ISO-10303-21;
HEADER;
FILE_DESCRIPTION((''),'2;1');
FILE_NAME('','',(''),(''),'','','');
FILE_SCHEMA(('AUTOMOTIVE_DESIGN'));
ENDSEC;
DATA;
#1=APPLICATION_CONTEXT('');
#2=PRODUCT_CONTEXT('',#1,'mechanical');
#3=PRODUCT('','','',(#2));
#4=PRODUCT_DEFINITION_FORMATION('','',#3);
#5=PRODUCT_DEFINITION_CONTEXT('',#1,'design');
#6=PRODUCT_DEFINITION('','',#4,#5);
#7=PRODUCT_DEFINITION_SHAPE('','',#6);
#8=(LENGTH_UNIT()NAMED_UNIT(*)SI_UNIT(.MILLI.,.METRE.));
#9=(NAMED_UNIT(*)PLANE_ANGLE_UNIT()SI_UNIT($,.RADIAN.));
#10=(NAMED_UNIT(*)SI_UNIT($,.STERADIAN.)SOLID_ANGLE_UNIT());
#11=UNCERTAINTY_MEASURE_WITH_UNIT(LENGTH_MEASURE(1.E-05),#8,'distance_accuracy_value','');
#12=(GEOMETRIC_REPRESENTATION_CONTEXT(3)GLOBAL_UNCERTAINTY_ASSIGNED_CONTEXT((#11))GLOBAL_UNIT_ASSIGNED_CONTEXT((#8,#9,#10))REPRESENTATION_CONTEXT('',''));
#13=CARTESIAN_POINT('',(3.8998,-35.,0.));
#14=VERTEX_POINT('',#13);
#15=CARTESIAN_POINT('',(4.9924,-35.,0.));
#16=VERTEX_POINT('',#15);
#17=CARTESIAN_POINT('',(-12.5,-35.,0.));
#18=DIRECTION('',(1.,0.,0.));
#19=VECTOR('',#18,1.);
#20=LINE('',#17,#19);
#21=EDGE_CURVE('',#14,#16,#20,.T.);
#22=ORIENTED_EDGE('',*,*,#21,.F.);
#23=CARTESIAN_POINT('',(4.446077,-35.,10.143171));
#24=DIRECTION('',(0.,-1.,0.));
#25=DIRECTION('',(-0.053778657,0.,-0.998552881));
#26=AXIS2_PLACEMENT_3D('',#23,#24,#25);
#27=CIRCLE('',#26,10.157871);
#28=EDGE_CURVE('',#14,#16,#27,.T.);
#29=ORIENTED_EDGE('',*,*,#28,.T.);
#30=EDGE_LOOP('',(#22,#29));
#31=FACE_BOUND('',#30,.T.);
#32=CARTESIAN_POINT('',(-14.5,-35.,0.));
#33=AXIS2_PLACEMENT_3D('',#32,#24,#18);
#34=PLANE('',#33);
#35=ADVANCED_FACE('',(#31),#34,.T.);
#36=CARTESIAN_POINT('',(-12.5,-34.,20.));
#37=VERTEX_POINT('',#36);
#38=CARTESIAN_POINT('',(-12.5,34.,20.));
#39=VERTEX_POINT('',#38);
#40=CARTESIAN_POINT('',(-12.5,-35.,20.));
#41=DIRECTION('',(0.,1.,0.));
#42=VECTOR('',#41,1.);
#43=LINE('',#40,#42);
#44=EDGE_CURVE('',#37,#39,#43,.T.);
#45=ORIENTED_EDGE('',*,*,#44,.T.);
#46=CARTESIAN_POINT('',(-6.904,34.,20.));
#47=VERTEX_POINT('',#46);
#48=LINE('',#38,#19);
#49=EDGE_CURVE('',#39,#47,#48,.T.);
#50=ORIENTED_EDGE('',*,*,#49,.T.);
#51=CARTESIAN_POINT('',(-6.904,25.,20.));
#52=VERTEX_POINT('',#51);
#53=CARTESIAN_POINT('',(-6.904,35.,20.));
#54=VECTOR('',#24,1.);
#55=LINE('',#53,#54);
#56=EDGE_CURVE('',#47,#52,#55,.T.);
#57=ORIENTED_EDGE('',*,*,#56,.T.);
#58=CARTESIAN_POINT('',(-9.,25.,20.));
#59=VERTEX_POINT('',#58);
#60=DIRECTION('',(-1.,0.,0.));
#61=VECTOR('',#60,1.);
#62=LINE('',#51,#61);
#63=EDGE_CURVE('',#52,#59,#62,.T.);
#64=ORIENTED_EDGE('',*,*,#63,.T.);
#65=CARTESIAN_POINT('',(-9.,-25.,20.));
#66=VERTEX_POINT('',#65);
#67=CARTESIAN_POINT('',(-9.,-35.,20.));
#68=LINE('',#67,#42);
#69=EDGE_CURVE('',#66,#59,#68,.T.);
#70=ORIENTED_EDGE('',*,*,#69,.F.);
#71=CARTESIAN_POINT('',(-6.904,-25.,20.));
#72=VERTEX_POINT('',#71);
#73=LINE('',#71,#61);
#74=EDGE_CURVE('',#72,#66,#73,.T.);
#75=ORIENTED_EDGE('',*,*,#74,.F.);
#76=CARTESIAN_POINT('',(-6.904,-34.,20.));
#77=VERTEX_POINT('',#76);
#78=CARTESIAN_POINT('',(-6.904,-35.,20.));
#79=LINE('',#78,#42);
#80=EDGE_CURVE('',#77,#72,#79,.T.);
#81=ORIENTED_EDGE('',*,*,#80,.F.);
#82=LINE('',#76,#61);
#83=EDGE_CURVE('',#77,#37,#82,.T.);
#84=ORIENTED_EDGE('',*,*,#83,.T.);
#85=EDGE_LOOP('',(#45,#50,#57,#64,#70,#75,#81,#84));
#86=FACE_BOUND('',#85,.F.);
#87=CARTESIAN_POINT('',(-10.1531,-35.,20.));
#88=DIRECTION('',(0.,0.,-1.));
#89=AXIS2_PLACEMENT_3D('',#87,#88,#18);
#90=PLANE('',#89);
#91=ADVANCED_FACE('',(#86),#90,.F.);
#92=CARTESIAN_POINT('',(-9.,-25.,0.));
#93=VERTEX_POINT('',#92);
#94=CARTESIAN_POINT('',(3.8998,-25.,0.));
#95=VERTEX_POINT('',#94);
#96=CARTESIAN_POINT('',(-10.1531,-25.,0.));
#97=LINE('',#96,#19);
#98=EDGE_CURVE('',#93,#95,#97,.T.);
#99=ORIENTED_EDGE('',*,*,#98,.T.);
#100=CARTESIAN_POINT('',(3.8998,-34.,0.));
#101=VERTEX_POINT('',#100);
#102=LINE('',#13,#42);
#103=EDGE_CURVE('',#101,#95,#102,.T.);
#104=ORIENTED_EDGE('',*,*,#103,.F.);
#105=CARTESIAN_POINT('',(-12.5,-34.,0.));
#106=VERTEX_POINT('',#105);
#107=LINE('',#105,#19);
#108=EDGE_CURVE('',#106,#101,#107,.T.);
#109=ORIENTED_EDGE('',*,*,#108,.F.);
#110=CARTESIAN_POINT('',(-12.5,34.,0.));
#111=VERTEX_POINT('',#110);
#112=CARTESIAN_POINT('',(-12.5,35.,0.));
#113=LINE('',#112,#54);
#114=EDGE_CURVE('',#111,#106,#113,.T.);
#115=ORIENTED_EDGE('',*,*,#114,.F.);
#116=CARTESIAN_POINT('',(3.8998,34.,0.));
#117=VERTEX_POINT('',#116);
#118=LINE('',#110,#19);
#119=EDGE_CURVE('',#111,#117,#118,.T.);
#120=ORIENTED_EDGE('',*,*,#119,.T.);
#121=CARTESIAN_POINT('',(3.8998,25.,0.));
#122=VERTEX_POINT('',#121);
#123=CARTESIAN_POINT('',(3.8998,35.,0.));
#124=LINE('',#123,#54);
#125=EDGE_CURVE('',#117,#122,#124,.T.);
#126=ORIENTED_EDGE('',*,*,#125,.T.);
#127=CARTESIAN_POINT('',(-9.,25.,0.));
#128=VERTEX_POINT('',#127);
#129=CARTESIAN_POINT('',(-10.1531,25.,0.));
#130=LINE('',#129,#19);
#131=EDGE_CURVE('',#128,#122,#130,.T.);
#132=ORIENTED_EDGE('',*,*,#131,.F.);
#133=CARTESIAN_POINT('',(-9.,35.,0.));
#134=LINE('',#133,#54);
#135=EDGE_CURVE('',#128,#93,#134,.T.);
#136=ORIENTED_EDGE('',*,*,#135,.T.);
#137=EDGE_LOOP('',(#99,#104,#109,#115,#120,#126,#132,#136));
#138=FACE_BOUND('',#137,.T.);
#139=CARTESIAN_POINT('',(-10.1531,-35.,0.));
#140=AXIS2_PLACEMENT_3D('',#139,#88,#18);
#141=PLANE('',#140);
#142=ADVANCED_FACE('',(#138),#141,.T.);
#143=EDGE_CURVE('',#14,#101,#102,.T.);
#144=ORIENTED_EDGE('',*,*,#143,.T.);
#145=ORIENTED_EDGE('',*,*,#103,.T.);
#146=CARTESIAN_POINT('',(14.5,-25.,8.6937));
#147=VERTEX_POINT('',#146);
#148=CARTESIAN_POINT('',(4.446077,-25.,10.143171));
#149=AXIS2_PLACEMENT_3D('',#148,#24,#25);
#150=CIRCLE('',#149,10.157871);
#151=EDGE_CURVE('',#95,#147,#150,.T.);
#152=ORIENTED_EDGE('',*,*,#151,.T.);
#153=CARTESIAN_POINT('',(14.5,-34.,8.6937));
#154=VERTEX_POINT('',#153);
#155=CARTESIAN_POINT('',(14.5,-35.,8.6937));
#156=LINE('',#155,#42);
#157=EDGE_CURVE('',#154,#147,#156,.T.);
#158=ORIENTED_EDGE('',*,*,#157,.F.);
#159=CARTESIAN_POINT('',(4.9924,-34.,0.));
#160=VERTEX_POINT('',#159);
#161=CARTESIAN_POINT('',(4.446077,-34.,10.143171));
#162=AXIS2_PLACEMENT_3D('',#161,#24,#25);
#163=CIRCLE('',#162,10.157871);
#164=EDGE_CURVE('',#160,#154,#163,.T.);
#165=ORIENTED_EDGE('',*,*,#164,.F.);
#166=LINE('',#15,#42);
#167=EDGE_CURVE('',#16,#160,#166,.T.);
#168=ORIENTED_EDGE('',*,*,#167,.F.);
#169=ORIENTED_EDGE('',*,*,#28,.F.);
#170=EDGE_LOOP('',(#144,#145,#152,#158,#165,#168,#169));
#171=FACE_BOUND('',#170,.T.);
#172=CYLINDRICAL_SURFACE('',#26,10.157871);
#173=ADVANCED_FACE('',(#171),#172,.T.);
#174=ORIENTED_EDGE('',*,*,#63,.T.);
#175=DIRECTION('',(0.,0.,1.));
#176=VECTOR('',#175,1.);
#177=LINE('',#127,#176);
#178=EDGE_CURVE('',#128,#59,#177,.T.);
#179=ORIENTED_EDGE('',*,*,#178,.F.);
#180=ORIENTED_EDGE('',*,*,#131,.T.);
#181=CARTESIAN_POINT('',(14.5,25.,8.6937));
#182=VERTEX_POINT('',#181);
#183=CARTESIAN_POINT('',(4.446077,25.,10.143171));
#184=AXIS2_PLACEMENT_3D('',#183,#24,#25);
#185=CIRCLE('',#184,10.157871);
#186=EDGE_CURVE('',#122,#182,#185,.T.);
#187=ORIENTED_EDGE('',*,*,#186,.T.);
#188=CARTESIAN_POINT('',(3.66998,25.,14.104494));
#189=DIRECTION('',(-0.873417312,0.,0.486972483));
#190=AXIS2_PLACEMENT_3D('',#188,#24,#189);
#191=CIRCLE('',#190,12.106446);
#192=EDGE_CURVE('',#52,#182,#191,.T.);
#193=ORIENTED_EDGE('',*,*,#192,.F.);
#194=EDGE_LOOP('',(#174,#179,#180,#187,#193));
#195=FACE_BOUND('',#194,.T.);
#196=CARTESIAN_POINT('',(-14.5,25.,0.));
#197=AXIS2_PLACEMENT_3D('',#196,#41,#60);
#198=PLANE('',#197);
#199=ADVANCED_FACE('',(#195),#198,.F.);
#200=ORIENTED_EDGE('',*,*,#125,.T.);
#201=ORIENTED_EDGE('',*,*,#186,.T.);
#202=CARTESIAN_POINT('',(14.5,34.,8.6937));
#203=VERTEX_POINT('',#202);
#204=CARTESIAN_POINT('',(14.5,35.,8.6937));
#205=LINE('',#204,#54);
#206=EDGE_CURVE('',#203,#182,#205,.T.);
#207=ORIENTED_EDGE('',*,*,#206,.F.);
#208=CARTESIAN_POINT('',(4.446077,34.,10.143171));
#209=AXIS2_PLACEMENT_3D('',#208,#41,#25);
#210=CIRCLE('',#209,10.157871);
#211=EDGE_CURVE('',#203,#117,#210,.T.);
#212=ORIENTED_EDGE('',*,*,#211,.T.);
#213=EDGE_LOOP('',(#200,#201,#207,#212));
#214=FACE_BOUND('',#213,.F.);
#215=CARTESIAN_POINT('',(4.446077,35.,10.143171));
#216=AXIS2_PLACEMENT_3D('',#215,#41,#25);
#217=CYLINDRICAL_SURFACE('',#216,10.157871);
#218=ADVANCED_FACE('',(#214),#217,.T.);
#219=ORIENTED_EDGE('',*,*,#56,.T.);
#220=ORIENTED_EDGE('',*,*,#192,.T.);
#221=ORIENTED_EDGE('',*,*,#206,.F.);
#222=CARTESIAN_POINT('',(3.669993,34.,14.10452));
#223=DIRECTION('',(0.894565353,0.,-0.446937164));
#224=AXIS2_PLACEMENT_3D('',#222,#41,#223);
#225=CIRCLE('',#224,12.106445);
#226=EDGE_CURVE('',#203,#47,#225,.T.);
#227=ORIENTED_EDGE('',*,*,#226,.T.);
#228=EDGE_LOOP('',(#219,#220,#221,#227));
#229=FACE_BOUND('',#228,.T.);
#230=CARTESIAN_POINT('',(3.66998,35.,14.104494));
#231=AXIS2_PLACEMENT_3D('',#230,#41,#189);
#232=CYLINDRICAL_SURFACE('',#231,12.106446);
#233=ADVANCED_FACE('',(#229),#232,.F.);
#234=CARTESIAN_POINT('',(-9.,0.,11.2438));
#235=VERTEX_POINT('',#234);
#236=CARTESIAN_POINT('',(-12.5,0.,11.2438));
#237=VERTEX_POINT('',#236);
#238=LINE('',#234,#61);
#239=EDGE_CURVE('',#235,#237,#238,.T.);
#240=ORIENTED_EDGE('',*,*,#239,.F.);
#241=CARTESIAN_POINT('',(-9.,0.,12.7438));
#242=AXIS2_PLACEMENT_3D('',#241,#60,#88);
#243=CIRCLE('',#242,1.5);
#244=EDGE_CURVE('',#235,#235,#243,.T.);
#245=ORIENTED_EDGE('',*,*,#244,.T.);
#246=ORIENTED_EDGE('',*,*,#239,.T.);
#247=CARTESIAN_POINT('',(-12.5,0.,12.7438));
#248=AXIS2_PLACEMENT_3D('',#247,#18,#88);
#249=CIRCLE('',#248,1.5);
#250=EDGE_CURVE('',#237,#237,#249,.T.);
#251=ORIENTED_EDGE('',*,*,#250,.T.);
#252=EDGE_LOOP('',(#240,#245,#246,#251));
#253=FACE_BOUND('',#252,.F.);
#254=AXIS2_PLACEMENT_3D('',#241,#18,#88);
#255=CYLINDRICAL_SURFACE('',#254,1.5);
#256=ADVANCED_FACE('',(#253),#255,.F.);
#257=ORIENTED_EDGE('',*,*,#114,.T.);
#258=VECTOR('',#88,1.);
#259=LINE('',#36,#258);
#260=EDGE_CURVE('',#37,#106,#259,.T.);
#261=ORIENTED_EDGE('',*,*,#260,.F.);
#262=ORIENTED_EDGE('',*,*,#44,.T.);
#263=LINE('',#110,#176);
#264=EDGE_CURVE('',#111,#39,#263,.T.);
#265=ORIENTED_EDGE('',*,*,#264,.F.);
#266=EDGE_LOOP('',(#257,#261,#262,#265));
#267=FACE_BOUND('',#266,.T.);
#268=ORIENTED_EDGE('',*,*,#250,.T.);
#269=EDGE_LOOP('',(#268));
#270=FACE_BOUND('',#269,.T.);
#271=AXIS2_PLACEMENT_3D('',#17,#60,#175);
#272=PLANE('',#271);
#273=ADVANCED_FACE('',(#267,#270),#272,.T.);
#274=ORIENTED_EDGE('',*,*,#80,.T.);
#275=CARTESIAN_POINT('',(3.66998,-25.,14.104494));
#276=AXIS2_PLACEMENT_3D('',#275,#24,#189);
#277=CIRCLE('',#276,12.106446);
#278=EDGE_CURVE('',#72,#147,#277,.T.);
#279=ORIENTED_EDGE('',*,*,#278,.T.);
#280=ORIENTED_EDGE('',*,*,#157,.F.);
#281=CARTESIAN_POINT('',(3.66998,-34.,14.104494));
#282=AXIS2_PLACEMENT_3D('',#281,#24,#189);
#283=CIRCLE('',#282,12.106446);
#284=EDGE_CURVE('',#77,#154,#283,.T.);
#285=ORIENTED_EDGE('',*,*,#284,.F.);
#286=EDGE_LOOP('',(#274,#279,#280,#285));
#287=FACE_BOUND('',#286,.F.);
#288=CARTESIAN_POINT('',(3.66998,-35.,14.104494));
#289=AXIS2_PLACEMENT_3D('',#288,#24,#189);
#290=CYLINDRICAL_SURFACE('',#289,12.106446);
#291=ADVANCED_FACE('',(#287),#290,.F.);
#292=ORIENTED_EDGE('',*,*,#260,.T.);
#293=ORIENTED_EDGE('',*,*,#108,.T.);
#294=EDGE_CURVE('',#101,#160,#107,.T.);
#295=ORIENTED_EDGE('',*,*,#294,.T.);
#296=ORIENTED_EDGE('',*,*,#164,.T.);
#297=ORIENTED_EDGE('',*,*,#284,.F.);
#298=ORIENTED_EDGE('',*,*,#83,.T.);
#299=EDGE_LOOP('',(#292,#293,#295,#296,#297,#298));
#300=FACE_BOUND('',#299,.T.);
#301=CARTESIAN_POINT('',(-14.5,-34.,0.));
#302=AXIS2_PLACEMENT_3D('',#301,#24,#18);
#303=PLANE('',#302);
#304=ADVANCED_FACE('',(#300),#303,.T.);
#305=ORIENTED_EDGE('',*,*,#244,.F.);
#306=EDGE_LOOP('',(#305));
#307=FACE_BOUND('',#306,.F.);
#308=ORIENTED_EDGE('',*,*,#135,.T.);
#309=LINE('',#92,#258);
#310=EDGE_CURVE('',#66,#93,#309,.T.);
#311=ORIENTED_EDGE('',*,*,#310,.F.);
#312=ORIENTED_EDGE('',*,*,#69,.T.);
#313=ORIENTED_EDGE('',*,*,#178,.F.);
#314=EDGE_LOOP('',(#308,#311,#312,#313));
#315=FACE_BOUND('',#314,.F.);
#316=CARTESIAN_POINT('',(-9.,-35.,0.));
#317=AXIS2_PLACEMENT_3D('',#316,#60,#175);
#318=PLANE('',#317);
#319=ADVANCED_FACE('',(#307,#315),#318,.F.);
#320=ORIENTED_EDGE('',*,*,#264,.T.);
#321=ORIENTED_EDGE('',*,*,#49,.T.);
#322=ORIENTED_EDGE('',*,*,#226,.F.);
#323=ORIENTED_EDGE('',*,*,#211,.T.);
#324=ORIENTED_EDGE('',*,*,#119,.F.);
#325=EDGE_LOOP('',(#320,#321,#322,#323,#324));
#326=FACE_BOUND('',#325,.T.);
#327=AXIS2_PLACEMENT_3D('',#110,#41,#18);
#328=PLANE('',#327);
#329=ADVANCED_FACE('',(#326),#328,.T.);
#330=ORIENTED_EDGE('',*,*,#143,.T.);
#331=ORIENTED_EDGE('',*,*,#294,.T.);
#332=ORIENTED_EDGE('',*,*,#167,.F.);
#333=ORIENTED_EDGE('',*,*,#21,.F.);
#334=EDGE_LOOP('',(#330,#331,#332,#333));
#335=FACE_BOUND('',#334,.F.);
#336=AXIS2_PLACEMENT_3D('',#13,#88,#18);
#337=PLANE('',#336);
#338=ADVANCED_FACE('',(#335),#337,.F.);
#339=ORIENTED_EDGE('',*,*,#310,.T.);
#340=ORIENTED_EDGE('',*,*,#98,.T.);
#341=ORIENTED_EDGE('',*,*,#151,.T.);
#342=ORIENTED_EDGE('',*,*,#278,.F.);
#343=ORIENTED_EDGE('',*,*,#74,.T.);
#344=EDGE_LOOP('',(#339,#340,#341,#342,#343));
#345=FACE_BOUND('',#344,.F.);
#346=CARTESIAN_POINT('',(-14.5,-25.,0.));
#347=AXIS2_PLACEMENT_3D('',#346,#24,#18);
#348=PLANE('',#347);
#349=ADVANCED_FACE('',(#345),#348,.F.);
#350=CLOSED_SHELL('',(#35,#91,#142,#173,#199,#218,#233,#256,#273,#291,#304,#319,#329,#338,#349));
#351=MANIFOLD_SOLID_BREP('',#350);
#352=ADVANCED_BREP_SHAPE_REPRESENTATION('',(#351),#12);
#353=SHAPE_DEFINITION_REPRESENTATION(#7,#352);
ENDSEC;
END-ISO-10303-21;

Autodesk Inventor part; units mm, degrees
ref_plane "YZ Plane" through (0, 0, 0) normal (1, 0, 0) x (0, 1, 0)
ref_plane "Work Plane1" through (-14.5, -35, 0) normal (0, -1, 0) x (1, 0, 0)
sketch "Sketch2" plane through (-14.5, -35, 0) normal (0, -1, 0) x (1, 0, 0)
  line L0 (4.3469, 0) -> (4.3469, 20)
  line L1 (7.596, 20) -> (7.4184, 20) projected
  line L2 (4.3469, 20) -> (7.596, 20)
  arc A0 (7.596, 20) -> (29, 8.6937) centre (18.17, 14.1045) ccw
  line L3 (4.3469, 0) -> (18.3998, 0)
  arc A1 (18.3998, 0) -> (29, 8.6937) centre (18.9461, 10.1431) ccw
  point P0 (14.5, 0)
  point P1 (5, 0)
  point P2 (18.2531, 1.9984)
extrude "Extrusion1" add sketch "Sketch2" against normal blind 10
ref_plane "Work Plane4" through (-14.5, -35, 0) normal (-1, 0, 0) x (0, 0, 1)
sketch "Sketch3" plane through (-14.5, -35, 0) normal (-1, 0, 0) x (0, 0, 1)
  line L0 (20, 0) -> (20, 70) projected
  line L1 (0, 0) -> (0, 21) projected
  line L2 (20, 70) -> (0, 70)
  line L3 (0, 70) -> (0, 0)
  line L4 (0, 0) -> (20, 0)
  line L5 (20, 0) -> (20, 70)
  point P0 (0, 35)
extrude "Extrusion2" add sketch "Sketch3" against normal blind 5.5
mirror "Mirror3" about plane through (0, 0, 0) normal (0, 1, 0) of "Extrusion1"
sketch "Sketch4" plane through (-9, -35, 0) normal (1, 0, 0) x (0, 0, -1)
  line L0 (-20, 10) -> (-1.9981, 10) projected
  line L1 (-12.7438, 10) -> (-12.7438, 60)
  line L2 (0, 60) -> (-20, 60) projected
  line L3 (-12.7438, 35) -> (-17.7089, 35)
  circle A0 centre (-12.7438, 35) radius 1.5
  point P0 (0, 35)
  point P1 (-8.6937, 10)
  dimension "d4" = 3
extrude "Extrusion3" cut sketch "Sketch4" against normal blind 10.375
sketch "Sketch5" plane through (-14.5, -35, 0) normal (-1, 0, 0) x (0, 0, 1)
  line L0 (20, 70) -> (0, 70) projected
  line L1 (0, 0) -> (20, 0) projected
  line L2 (20, 70) -> (0, 70)
  line L3 (0, 70) -> (0, 0)
  line L4 (0, 0) -> (20, 0)
  line L5 (20, 0) -> (20, 70)
  point P0 (0, 35)
extrude "Extrusion4" cut sketch "Sketch5" against normal blind 2
sketch "Sketch7" plane through (-14.5, -35, 0) normal (0, -1, 0) x (1, 0, 0)
  line L0 (7.596, 20) -> (2, 20) projected
  line L1 (2, 20) -> (2, 0) projected
  line L2 (2, 20) -> (2, 0)
  line L3 (2, 0) -> (19.4924, 0)
  arc A0 (18.3998, 0) -> (29, 8.6937) centre (18.9461, 10.1431) ccw projected
  line L4 (5.5, 20) -> (7.596, 20) projected
  arc A1 (7.596, 20) -> (29, 8.6937) centre (18.17, 14.1045) ccw
  arc A2 (7.596, 20) -> (29, 8.6937) centre (18.17, 14.1045) ccw projected
  arc A3 (19.4924, 0) -> (29, 8.6937) centre (18.9461, 10.1431) ccw
  line L5 (2, 20) -> (7.596, 20)
  point P0 (14.5, 0)
extrude "Extrusion5" cut sketch "Sketch7" against normal blind 1 contours A1 A0 L3 L1 L0
sketch "Sketch8" plane through (-12.5, 35, 0) normal (0, 1, 0) x (1, 0, 0)
  line L0 (3.5, -20) -> (5.596, -20) projected
  line L1 (0, 0) -> (0, -20) projected
  line L2 (5.596, -20) -> (0, -20)
  line L3 (0, -20) -> (0, 0)
  arc A0 (27, -8.6937) -> (16.3998, 0) centre (16.9461, -10.1431) ccw projected
  line L4 (0, 0) -> (16.3998, 0)
  arc A1 (27, -8.6937) -> (5.596, -20) centre (16.17, -14.1045) ccw projected
  arc A2 (27, -8.6937) -> (5.596, -20) centre (16.17, -14.1045) ccw
  arc A3 (27, -8.6937) -> (16.3998, 0) centre (16.9461, -10.1431) ccw
  point P0 (12.5, 0)
extrude "Extrusion6" cut sketch "Sketch8" against normal blind 1
properties part number "Speed Champ"
